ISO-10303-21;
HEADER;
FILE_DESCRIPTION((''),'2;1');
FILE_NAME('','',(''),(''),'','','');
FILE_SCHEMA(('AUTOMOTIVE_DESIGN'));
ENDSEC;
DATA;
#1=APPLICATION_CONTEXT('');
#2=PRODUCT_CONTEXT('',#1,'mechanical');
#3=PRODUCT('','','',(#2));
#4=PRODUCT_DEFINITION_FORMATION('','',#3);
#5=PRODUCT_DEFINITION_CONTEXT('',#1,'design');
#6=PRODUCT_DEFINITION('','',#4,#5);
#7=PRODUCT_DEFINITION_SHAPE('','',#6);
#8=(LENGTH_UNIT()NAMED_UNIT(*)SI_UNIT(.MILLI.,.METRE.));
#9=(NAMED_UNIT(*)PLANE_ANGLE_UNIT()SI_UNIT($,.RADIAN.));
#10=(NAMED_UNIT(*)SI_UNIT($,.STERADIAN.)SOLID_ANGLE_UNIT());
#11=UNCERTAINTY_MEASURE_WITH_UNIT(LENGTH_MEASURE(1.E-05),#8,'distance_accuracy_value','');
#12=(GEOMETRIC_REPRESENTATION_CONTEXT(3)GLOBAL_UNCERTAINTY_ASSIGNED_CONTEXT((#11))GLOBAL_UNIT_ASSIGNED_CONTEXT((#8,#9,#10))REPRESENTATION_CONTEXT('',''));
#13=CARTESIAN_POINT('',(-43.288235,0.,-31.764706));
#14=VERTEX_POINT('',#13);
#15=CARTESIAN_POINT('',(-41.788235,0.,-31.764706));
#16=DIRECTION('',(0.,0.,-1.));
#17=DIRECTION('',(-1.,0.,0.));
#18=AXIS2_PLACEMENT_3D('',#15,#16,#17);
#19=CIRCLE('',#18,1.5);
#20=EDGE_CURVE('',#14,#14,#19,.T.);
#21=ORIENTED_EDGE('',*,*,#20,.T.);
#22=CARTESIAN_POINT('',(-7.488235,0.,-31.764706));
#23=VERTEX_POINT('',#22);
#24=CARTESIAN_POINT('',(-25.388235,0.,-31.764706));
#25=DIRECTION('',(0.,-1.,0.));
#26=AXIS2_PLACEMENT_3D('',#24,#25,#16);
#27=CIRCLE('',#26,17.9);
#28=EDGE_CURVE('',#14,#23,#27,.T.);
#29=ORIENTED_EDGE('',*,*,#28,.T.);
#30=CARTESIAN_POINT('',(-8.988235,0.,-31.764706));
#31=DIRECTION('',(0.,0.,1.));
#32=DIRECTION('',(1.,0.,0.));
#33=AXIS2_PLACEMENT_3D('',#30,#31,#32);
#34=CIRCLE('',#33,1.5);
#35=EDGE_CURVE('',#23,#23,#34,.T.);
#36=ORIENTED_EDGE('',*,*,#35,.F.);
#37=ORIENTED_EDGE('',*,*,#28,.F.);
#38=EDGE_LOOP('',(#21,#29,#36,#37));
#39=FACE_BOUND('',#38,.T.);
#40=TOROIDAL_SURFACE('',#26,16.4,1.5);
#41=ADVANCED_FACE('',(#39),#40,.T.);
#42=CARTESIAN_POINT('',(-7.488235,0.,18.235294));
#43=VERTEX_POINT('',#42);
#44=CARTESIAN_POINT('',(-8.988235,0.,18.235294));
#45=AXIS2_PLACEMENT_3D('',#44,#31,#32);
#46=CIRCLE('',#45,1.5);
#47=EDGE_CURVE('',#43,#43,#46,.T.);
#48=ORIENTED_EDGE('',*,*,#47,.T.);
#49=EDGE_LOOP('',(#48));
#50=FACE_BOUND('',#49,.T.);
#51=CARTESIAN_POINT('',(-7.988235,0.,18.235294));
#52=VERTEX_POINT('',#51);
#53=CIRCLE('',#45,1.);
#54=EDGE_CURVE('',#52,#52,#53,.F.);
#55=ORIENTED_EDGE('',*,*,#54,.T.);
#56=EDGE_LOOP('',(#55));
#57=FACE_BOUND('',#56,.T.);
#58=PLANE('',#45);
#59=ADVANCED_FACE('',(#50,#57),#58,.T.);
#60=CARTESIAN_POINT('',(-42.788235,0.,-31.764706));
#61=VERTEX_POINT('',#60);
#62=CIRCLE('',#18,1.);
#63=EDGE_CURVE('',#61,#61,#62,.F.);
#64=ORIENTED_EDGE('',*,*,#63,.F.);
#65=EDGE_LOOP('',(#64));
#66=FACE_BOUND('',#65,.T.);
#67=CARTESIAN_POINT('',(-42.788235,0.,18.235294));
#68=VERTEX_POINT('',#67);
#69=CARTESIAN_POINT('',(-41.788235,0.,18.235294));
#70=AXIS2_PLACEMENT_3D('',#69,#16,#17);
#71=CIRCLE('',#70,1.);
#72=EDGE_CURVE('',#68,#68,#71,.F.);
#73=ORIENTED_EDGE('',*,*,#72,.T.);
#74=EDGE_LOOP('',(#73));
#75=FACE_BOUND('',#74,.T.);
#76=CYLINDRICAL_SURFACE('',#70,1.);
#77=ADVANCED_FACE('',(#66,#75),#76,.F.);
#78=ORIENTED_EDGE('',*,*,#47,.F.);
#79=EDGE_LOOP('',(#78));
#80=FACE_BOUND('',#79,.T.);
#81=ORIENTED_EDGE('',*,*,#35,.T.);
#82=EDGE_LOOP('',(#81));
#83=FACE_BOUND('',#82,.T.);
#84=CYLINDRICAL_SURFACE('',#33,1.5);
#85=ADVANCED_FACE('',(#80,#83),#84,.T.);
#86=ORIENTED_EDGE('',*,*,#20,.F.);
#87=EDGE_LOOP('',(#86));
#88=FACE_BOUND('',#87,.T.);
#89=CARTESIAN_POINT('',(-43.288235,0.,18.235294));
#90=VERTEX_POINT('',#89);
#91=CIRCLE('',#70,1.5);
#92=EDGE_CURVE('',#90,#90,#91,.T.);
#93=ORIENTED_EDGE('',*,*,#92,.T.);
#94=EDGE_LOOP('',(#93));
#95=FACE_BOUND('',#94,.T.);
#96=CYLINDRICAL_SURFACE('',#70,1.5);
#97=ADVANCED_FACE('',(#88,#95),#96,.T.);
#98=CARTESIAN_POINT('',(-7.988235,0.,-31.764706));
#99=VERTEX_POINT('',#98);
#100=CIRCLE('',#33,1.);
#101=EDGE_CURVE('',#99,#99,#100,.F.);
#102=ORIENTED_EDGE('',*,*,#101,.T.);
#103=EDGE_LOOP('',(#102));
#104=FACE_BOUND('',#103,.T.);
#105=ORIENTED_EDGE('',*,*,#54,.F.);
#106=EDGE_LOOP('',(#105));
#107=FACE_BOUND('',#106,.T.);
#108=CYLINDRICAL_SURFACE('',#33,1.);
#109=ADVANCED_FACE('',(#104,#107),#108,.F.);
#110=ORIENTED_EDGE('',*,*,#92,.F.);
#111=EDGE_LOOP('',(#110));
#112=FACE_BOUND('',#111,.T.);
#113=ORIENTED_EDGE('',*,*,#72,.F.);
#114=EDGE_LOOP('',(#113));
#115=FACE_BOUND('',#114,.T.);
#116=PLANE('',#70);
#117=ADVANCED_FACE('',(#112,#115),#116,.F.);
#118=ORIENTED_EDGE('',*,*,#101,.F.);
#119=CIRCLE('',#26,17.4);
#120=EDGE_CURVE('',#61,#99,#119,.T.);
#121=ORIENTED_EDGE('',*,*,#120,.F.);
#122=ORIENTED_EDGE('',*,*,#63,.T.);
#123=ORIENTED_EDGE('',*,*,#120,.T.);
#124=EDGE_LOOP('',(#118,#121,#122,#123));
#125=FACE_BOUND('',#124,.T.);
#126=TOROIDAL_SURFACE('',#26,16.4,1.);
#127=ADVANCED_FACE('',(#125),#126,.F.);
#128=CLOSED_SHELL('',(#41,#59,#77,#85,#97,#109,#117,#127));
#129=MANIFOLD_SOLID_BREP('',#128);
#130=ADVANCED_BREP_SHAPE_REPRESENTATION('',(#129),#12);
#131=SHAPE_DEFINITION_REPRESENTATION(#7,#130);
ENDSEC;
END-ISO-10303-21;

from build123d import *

# Parameters (mm, degrees)
SKETCH2_R   = 1.5
SKETCH2_R_2 = 1


with BuildPart() as part:
    # Sweep1: sweep along a path in Sketch1
    with BuildLine(Plane(origin=(0, 0, 0), x_dir=(1, 0, 0), z_dir=(0, 1, 0))) as sweep1_path:
        Line((-41.788235294, -18.235294118), (-41.788235294, 31.764705882))
        ThreePointArc((-41.788235294, 31.764705882), (-25.388235294, 48.164705882), (-8.988235294, 31.764705882))
        Line((-8.988235294, 31.764705882), (-8.988235294, -18.235294118))
    # Sketch2 → Sweep1 (sweep)
    with BuildSketch(Plane(origin=(-41.788235294, 0, 18.235294118), x_dir=(-1, 0, 0), z_dir=(0, 0, -1))):
        Circle(SKETCH2_R)
        Circle(SKETCH2_R_2, mode=Mode.SUBTRACT)
    sweep(path=sweep1_path.line)


solid = part.part
